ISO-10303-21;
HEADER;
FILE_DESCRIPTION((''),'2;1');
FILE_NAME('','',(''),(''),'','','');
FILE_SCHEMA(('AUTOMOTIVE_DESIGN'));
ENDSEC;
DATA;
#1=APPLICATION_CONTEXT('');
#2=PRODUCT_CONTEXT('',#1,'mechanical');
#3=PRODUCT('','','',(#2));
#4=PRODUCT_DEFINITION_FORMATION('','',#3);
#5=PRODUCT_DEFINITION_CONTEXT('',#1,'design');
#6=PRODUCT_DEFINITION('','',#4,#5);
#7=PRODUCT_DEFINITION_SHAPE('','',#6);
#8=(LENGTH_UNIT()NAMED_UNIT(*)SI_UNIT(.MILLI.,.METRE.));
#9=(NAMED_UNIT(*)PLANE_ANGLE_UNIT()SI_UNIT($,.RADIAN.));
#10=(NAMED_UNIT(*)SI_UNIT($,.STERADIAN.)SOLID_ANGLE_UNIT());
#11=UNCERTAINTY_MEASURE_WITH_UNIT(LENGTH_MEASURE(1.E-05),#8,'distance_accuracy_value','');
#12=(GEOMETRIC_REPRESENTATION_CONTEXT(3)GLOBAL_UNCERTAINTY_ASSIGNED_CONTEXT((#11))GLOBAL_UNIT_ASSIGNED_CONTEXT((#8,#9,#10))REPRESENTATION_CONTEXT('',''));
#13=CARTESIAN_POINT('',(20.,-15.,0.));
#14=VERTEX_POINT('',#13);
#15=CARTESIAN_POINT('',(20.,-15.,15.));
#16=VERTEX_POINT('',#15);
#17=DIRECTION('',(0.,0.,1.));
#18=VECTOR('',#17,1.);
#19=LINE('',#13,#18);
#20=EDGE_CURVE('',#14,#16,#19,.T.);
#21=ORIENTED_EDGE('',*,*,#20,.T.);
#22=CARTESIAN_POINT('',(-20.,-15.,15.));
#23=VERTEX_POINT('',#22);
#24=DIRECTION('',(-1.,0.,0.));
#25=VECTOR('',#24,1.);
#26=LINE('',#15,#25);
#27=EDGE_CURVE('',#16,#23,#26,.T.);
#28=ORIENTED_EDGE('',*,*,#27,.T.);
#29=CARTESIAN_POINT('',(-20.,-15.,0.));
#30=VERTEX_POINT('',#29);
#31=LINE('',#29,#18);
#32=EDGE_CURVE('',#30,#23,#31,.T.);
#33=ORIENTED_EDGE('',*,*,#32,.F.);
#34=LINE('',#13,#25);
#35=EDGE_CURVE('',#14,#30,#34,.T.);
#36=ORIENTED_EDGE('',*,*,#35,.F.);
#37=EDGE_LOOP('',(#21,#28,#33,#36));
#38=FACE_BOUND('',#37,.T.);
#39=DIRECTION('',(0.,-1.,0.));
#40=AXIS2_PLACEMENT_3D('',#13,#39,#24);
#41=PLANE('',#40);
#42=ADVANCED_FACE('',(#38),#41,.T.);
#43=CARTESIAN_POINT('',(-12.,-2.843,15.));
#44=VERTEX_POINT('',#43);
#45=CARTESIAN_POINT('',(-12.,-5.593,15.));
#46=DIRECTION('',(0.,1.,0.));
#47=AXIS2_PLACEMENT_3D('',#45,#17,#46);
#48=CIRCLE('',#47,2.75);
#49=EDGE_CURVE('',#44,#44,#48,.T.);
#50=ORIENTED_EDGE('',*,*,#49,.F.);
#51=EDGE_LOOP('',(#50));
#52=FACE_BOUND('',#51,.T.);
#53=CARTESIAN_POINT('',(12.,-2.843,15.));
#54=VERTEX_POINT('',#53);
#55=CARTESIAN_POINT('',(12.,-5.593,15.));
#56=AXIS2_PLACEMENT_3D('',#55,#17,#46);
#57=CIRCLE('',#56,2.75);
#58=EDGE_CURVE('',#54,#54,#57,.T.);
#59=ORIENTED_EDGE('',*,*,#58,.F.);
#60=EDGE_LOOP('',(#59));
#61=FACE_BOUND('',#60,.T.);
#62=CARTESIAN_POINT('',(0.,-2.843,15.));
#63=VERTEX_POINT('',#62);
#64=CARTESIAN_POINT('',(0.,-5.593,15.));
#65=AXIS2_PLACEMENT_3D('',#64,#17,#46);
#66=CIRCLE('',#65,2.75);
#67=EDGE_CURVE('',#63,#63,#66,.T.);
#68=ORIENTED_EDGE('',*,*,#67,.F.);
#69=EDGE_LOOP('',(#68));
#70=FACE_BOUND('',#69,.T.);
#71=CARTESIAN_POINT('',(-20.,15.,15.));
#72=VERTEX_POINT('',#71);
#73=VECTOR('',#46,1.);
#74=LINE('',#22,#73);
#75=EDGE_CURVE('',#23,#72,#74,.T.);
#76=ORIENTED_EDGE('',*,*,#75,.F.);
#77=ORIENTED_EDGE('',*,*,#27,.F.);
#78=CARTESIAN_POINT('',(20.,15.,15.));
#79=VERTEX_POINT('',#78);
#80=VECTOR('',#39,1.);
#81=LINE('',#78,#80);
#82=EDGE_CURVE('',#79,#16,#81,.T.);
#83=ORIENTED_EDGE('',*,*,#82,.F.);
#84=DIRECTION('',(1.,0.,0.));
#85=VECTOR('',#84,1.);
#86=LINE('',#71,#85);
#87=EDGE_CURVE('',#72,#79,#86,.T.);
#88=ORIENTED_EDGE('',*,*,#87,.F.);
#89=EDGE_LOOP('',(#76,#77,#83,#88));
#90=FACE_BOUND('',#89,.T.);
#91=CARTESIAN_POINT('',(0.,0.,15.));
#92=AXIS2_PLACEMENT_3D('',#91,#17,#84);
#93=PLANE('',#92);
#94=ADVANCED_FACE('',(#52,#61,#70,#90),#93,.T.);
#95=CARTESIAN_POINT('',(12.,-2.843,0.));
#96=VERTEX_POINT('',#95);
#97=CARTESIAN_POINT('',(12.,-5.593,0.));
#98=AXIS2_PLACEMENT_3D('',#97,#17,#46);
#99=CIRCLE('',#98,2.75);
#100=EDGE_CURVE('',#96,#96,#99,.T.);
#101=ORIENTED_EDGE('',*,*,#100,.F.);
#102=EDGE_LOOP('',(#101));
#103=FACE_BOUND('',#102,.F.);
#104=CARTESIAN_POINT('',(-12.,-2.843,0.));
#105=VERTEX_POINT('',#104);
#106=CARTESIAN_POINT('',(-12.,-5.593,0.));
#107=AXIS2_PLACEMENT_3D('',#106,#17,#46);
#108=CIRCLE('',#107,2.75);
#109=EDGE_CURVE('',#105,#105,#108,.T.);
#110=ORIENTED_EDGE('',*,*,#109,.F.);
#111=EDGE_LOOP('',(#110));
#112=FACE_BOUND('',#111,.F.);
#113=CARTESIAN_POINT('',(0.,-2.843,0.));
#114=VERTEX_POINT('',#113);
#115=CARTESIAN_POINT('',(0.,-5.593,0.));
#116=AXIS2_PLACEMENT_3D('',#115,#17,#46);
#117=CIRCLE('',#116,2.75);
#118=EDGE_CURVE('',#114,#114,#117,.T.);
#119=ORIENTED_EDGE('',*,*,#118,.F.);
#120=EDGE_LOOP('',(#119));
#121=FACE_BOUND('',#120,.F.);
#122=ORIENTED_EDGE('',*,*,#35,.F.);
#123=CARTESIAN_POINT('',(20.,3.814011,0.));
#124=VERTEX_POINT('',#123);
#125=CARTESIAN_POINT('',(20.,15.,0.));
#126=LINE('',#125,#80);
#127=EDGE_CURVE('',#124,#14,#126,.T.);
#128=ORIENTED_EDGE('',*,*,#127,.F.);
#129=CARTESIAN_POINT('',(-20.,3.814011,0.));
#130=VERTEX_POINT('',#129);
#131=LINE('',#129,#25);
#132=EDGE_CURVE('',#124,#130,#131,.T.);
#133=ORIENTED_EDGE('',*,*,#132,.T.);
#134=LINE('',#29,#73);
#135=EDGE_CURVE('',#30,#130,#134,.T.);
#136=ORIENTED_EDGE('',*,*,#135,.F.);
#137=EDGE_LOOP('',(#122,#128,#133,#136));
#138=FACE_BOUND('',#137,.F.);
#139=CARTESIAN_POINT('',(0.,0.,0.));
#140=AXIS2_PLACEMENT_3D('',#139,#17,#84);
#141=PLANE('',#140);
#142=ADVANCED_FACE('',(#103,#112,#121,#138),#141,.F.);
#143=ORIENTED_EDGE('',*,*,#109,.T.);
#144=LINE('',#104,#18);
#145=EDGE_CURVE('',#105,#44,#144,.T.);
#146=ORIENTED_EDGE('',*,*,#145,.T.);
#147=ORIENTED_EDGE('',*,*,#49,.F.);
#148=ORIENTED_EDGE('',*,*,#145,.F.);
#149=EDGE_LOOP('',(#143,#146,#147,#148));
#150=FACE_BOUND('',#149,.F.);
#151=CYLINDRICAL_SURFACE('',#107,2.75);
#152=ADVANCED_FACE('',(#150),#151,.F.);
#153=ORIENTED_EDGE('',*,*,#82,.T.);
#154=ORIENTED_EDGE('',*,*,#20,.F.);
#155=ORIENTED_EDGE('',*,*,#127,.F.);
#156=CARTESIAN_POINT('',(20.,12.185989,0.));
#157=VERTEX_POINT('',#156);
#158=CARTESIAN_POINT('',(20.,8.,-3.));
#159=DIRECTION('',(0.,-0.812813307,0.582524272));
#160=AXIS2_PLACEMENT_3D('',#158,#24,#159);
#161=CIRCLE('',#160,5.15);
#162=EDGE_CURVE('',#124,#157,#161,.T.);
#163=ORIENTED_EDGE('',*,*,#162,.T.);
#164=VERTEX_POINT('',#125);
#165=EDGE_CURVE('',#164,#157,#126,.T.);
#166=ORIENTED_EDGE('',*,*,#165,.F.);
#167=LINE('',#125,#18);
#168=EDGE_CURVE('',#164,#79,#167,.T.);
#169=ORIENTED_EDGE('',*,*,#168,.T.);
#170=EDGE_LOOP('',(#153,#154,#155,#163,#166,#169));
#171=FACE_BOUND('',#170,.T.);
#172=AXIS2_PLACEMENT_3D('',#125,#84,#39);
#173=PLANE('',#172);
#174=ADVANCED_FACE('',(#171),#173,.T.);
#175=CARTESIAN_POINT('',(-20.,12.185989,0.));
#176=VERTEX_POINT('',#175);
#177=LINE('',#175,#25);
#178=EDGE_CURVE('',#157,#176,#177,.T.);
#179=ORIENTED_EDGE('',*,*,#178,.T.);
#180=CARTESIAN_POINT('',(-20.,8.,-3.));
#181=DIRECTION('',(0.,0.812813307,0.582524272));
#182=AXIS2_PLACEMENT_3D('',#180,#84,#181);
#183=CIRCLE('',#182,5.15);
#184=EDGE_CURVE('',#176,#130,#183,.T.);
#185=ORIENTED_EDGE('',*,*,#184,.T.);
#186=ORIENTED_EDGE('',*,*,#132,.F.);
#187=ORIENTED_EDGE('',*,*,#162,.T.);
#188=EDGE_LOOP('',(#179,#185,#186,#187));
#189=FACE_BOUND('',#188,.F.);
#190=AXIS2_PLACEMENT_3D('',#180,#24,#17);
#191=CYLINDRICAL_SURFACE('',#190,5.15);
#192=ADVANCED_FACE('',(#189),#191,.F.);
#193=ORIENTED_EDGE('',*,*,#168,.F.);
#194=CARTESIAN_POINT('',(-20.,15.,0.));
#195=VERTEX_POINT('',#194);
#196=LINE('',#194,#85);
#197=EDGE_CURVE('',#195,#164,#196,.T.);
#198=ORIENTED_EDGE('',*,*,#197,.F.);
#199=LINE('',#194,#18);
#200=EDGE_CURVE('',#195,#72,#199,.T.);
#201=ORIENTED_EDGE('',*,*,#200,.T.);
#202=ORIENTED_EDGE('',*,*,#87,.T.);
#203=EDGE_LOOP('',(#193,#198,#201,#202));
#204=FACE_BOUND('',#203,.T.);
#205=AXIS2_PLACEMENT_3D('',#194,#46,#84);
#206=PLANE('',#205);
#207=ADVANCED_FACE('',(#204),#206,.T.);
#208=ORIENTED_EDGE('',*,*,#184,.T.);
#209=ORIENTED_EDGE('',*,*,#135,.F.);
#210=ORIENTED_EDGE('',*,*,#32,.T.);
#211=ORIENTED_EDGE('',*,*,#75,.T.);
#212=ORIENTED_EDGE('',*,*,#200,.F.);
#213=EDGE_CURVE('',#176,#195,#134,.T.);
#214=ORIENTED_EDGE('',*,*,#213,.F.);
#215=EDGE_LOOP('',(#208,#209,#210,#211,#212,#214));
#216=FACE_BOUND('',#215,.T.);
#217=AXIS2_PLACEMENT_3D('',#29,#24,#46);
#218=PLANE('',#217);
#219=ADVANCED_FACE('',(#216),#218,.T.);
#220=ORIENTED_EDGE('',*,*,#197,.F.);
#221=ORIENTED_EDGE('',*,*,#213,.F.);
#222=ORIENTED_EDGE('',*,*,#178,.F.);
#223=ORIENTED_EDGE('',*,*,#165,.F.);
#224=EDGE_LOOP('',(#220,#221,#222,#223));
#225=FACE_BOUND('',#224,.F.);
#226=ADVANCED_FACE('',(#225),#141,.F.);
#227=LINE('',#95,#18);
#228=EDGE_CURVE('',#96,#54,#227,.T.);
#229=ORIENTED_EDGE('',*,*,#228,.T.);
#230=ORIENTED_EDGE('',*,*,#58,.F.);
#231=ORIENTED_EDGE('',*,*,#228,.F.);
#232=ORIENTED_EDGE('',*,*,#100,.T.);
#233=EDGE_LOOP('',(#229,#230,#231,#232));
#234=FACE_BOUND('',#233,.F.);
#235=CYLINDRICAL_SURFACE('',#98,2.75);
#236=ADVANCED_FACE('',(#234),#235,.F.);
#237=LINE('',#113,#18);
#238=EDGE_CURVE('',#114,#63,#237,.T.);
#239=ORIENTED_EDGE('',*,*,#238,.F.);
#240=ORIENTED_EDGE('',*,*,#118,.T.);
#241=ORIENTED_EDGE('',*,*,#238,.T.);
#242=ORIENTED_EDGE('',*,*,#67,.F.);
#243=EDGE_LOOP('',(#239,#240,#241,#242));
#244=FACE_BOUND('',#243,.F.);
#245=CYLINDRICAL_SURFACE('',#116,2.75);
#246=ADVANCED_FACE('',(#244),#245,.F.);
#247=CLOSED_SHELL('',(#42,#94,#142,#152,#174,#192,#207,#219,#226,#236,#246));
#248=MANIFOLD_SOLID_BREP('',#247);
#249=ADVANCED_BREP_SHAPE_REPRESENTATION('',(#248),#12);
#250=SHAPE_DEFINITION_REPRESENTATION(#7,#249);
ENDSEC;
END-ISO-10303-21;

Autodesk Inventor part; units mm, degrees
ref_plane "YZ Plane" through (0, 0, 0) normal (1, 0, 0) x (0, 1, 0)
ref_plane "XZ Plane" through (0, 0, 0) normal (0, 1, 0) x (-1, 0, 0)
ref_plane "XY Plane" through (0, 0, 0) normal (0, 0, 1) x (1, 0, 0)
sketch "Sketch1" plane through (0, 0, 0) normal (0, 0, 1) x (1, 0, 0)
  line L0 (-20, 15) -> (20, 15)
  line L1 (20, 15) -> (20, -15)
  line L2 (20, -15) -> (-20, -15)
  line L3 (-20, -15) -> (-20, 15)
  point P0 (0, 0)
  point P1 (-20, 0)
  point P2 (0, 15)
  dimension "d0" = 30
  dimension "d1" = 40
extrude "Extrusion1" add sketch "Sketch1" along normal blind 15
sketch "Sketch2" plane through (-20, -15, 0) normal (-1, 0, 0) x (0, 0, 1)
  circle A0 centre (-3, 23) radius 5.15
  line L0 (0, 30) -> (0, 0) projected
  line L1 (0, 0) -> (15, 0) projected
  point P0 (0, 15)
  point P1 (0, 15)
  dimension "d5" = 10.3
  dimension "d17" = 23
  dimension "d18" = 3
extrude "Extrusion2" cut sketch "Sketch2" against normal through all
sketch "Sketch3" plane through (0, 0, 0) normal (0, 0, -1) x (-1, 0, 0)
  line L0 (-20, -15) -> (-20, 15) projected
  line L1 (-20, -15) -> (-20, 3.814) projected
  line L2 (20, -15) -> (-20, -15) projected
  line L3 (-20, 15) -> (20, 15) projected
  line L4 (20, 3.814) -> (20, -15) projected
  point P0 (0, 0)
  point P1 (-12, -5.593)
  point P2 (-20, 0)
  point P3 (-20, 12.186)
  point P4 (-20, -5.593)
  point P5 (0, 15)
  point P6 (0, -5.593)
  point P7 (12, -5.593)
  dimension "d19" = 8
  dimension "d20" = 8
hole "Hole1" at (12, -5.593, 0) at (0, -5.593, 0) at (-12, -5.593, 0) direction (0, 0, 1) diameter 5.5 end through all
equation "\"d20\" = d19"
properties part number "0008-10-011 Fixare AxaX Mijloc"
